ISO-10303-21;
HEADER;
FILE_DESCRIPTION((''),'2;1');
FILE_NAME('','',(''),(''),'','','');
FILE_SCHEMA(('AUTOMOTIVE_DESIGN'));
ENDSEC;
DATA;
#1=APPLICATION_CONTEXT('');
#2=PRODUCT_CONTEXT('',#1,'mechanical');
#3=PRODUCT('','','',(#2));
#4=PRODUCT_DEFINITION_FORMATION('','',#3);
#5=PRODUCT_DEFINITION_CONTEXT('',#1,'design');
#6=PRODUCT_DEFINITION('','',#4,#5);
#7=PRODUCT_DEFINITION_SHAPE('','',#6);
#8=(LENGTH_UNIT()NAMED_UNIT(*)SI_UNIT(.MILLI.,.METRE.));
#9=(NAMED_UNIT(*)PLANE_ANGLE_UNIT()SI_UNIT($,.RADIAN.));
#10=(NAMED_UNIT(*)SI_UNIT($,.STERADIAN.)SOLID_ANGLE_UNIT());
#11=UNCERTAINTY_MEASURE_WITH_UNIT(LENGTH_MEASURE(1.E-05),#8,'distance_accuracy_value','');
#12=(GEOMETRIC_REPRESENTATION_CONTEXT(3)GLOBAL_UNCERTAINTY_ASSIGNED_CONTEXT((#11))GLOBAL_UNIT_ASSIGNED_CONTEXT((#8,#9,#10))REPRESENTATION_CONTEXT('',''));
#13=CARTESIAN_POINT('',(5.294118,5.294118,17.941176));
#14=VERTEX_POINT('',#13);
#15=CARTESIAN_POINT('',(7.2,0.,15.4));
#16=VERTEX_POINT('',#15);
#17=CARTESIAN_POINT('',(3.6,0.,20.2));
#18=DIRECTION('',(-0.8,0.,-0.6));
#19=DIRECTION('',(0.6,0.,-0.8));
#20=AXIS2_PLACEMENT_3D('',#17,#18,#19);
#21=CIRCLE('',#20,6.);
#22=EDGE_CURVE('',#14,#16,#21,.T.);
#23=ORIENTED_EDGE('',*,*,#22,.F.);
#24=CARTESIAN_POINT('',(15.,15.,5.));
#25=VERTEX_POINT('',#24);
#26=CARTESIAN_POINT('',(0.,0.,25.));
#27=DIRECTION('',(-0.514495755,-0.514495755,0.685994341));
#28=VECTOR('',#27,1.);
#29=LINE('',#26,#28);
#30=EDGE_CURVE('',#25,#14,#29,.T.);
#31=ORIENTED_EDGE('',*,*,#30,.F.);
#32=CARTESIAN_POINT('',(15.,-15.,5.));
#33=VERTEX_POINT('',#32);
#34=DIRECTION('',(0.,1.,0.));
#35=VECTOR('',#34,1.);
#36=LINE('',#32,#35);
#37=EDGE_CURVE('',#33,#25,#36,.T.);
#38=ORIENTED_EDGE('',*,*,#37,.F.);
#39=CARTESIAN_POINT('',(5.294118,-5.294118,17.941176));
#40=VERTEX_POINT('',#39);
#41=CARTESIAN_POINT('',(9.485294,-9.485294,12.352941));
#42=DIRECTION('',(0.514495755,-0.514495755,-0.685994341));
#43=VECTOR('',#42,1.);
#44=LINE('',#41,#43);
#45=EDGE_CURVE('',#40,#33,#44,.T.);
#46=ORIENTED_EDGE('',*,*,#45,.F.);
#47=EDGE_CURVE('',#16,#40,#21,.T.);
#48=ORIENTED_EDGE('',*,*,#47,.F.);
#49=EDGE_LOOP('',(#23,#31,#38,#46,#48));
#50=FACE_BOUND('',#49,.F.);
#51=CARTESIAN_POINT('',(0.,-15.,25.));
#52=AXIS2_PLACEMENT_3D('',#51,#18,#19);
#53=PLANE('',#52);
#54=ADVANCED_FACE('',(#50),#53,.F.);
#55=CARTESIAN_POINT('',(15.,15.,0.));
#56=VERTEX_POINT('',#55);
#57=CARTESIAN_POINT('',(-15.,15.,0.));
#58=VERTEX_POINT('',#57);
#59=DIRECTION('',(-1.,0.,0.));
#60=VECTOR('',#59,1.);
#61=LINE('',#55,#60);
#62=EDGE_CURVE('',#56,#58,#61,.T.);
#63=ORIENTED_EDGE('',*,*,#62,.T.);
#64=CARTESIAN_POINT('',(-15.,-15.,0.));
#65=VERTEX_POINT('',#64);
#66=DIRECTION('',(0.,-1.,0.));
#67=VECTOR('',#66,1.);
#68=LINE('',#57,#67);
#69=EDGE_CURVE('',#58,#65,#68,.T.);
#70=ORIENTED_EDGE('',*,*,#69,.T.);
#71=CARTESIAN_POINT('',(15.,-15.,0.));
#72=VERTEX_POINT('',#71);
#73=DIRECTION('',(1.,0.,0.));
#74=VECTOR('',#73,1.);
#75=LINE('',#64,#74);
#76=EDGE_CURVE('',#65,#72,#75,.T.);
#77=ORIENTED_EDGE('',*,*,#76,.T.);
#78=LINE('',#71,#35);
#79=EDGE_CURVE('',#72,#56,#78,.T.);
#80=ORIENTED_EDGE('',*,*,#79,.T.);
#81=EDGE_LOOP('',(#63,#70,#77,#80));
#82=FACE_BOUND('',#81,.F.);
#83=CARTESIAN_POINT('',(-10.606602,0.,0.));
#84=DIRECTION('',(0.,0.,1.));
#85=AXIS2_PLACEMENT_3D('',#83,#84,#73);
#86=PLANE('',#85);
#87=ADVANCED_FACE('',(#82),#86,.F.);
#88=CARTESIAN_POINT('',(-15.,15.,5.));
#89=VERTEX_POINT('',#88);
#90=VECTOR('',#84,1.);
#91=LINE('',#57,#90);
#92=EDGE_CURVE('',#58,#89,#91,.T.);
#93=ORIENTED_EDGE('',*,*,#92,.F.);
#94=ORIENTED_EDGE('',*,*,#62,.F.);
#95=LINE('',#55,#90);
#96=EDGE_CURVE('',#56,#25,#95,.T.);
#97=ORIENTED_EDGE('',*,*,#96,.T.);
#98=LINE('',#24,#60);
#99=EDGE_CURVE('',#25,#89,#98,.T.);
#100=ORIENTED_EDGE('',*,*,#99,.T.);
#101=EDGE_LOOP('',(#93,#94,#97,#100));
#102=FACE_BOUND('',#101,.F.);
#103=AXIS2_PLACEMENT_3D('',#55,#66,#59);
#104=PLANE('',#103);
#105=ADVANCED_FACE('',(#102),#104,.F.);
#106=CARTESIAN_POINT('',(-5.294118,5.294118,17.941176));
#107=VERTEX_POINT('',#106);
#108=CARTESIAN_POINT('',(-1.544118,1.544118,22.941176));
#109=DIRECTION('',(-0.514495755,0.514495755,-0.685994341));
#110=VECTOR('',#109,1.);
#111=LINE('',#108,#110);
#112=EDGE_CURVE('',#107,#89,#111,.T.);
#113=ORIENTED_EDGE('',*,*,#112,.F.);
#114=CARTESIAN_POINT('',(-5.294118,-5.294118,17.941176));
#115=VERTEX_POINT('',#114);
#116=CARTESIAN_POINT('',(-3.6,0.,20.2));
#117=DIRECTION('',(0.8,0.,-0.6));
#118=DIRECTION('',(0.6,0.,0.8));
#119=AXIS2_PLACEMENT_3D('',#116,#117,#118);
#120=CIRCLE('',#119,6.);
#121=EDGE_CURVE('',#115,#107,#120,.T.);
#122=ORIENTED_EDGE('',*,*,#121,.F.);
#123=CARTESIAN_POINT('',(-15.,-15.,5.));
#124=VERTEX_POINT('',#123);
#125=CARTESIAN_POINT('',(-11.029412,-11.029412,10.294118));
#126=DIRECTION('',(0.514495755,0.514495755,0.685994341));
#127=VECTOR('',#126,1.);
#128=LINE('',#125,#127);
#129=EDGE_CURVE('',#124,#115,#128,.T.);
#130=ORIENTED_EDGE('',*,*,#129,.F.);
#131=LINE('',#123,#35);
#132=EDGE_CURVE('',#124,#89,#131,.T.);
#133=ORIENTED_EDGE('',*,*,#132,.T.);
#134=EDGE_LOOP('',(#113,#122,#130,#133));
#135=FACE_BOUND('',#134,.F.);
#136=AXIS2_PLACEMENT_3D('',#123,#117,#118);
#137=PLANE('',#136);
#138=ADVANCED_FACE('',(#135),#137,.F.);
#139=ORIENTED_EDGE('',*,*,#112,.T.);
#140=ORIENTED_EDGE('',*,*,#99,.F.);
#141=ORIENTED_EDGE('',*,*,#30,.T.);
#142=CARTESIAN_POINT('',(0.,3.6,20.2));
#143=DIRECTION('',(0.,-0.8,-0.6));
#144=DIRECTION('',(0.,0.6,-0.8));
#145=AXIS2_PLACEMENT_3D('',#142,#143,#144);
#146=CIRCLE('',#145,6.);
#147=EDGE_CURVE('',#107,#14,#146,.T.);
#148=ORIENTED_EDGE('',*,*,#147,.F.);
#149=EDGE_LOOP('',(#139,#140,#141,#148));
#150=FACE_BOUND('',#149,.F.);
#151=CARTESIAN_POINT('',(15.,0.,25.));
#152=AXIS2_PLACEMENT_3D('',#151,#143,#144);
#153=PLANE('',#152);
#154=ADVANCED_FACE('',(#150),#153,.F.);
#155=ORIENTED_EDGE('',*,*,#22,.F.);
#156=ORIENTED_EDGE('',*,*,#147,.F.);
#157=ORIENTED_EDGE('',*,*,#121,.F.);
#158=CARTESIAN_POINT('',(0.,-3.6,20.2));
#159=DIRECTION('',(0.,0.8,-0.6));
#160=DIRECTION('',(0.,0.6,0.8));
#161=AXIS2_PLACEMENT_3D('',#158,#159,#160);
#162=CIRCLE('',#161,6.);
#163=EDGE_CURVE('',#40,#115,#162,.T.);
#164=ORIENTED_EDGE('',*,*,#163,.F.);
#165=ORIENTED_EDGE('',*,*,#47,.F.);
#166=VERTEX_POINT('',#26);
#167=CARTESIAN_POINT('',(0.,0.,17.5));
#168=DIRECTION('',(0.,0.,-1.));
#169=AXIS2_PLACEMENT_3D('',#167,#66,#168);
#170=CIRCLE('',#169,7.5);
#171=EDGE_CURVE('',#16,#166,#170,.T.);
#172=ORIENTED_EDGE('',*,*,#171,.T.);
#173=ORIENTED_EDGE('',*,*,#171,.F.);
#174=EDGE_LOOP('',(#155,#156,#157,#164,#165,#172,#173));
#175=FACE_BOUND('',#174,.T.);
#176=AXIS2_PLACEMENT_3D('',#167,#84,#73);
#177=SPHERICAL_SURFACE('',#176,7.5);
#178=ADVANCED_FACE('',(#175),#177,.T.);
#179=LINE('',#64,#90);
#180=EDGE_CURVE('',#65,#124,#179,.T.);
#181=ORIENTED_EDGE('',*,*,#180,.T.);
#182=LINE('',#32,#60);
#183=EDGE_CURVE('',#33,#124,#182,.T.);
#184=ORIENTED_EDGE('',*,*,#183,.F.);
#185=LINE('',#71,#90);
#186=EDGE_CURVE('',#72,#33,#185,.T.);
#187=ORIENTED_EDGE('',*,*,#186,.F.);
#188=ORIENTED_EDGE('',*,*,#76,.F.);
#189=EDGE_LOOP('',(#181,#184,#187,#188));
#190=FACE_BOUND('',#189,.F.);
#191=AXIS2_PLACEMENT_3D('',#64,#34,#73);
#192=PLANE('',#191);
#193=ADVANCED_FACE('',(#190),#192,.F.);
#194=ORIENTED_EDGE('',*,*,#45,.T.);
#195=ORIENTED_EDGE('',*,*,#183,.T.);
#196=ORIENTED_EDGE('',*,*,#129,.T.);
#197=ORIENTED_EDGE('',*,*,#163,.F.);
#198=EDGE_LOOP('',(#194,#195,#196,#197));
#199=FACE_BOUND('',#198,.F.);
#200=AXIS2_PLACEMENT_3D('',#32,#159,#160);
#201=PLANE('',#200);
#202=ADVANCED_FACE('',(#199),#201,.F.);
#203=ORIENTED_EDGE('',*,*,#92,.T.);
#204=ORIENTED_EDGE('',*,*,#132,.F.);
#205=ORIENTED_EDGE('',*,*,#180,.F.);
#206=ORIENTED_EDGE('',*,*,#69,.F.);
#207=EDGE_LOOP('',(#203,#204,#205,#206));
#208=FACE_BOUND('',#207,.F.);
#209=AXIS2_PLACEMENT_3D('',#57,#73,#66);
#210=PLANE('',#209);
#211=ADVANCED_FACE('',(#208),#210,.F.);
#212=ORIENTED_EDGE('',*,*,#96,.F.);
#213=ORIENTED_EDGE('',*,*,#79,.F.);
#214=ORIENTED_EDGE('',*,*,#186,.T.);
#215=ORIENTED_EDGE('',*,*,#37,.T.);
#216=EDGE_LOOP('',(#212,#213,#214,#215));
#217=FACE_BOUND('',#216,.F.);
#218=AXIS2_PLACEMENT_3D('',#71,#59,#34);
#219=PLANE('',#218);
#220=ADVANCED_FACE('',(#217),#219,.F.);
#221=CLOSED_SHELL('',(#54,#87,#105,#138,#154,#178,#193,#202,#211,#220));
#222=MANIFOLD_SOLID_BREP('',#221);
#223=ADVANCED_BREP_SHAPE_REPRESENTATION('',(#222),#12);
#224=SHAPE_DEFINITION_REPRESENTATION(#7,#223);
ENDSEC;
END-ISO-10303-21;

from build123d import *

# Parameters (mm, degrees)
F1_DEPTH = 25
F4_DEPTH = 30.001
F5_DEPTH = 30.001


with BuildPart() as f1:
    # F0 (on Top) → F1 (new body)
    with BuildSketch(Plane.XY):
        Polygon((0, 0), (-15, 15), (-15, -15), align=None)
        Polygon((15, 15), (-15, 15), (0, 0), align=None)
        Polygon((15, -15), (15, 15), (0, 0), align=None)
        Polygon((0, 0), (-15, -15), (15, -15), align=None)
    extrude(amount=F1_DEPTH)

    # F3 (on face) → F4 (cut, through all)
    with BuildSketch(Plane.XZ.offset(15)):
        Polygon((-15, 25), (-15, 5), (0, 25), align=None)
        Polygon((0, 25), (15, 5), (15, 25), align=None)
    extrude(amount=-F4_DEPTH, mode=Mode.SUBTRACT)

    # F2 (on face) → F5 (cut, through all)
    with BuildSketch(Plane.YZ.offset(15)):
        Polygon((-15, 25), (-15, 5), (0, 25), align=None)
        Polygon((0, 25), (15, 5), (15, 25), align=None)
    extrude(amount=-F5_DEPTH, mode=Mode.SUBTRACT)

    # F6 (on Front) → F7 (revolve)
    with BuildSketch(Plane.XZ):
        with BuildLine():
            ThreePointArc((0, 10), (5.3033008589, 12.1966991411), (7.5, 17.5))
            ThreePointArc((7.5, 17.5), (5.3033008589, 22.8033008589), (0, 25))
            Line((0, 25), (0, 10))
        make_face()
    revolve(axis=Axis((0, 0, 17.5), (0, 0, 1)))


solid = f1.part
